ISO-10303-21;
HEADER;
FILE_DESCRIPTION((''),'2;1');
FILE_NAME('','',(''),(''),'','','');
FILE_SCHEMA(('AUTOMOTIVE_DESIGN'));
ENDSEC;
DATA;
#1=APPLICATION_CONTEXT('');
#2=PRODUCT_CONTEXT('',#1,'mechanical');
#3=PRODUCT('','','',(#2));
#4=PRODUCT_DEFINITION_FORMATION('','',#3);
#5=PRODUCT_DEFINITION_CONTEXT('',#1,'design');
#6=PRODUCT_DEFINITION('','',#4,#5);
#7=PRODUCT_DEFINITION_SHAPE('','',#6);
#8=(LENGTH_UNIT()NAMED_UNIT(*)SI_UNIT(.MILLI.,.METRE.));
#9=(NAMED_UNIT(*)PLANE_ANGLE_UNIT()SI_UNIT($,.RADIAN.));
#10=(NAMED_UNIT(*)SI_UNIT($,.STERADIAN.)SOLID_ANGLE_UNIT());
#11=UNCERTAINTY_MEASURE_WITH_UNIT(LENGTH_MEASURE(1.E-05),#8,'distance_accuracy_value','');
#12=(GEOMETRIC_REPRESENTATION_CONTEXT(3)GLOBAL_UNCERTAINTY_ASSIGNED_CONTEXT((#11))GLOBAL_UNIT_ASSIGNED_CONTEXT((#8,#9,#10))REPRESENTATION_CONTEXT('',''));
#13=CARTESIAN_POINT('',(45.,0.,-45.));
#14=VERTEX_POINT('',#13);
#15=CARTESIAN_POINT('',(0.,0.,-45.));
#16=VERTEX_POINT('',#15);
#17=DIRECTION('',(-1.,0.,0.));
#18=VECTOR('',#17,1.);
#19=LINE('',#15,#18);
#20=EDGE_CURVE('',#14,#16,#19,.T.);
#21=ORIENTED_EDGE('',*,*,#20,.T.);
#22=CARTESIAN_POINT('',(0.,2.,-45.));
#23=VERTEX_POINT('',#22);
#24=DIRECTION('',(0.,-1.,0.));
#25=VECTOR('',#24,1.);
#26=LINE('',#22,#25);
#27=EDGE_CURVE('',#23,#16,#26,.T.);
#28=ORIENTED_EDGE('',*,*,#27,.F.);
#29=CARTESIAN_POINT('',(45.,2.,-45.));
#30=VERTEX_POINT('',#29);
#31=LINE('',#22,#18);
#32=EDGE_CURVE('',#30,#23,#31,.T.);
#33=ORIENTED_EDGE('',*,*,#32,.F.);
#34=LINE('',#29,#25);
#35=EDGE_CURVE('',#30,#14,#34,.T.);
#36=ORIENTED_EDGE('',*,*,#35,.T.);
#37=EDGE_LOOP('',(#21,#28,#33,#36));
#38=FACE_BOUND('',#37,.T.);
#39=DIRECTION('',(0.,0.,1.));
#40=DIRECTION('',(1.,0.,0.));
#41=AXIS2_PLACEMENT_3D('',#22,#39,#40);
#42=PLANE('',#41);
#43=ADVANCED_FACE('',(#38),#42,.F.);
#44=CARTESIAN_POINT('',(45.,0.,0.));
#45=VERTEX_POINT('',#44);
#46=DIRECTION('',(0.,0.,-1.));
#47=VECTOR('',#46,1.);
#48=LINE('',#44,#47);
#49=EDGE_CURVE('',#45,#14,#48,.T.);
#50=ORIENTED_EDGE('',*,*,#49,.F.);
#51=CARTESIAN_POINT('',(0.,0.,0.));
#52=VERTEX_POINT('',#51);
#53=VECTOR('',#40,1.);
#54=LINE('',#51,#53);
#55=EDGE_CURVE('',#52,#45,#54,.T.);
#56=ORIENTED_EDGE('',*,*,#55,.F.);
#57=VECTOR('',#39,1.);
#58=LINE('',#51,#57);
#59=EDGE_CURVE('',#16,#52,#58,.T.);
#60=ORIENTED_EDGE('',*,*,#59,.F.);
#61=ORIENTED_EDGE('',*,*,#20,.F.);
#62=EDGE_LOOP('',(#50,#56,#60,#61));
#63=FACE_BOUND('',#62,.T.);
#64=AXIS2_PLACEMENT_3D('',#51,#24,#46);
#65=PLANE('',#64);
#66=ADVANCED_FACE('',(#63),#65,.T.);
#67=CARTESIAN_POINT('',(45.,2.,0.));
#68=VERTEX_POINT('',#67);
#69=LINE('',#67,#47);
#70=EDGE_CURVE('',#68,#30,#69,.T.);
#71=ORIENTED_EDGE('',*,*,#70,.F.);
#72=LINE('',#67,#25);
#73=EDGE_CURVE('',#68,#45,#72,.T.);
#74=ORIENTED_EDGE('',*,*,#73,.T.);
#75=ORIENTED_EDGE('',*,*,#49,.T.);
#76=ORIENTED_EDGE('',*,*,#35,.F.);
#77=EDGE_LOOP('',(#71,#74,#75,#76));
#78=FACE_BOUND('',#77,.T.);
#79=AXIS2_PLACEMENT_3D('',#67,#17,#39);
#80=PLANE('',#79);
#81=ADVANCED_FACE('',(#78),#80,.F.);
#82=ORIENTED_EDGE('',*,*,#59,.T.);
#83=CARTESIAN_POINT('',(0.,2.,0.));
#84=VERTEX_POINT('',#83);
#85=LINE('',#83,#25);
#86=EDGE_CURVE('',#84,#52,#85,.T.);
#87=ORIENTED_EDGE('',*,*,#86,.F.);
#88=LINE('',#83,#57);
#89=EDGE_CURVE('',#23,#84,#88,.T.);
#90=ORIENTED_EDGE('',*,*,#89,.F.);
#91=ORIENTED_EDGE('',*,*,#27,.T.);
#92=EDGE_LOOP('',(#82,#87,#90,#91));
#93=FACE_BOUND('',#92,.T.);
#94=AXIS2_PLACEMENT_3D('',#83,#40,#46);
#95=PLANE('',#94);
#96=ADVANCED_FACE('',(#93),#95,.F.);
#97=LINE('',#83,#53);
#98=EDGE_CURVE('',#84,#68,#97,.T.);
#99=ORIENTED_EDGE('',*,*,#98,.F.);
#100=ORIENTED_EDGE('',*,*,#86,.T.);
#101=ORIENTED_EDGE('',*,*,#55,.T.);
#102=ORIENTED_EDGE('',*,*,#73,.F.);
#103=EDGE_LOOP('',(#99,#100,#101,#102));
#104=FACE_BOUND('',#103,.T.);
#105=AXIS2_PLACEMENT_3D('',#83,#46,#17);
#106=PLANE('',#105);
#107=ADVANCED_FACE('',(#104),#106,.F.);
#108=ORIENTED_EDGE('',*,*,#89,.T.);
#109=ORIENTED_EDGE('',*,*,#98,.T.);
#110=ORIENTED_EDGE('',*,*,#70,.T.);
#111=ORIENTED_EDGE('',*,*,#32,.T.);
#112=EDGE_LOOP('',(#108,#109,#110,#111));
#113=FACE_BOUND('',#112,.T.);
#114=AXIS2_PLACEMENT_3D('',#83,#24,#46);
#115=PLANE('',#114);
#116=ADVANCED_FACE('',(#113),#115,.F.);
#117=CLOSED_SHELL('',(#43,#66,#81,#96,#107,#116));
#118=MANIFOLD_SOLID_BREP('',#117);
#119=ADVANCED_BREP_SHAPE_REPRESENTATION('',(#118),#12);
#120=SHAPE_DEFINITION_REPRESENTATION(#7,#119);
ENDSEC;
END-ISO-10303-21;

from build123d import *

# Parameters (mm, degrees)
ESQUISSE1_W        = 45
ESQUISSE1_H        = 45
BOSS_EXTRU_1_DEPTH = 2


with BuildPart() as part:
    # Esquisse1 → Boss.-Extru.1 (new body)
    with BuildSketch(Plane(origin=(0, 0, 0), x_dir=(1, 0, 0), z_dir=(0, 1, 0))):
        with Locations((22.5, 22.5)):
            Rectangle(ESQUISSE1_W, ESQUISSE1_H)
    extrude(amount=BOSS_EXTRU_1_DEPTH)


solid = part.part
